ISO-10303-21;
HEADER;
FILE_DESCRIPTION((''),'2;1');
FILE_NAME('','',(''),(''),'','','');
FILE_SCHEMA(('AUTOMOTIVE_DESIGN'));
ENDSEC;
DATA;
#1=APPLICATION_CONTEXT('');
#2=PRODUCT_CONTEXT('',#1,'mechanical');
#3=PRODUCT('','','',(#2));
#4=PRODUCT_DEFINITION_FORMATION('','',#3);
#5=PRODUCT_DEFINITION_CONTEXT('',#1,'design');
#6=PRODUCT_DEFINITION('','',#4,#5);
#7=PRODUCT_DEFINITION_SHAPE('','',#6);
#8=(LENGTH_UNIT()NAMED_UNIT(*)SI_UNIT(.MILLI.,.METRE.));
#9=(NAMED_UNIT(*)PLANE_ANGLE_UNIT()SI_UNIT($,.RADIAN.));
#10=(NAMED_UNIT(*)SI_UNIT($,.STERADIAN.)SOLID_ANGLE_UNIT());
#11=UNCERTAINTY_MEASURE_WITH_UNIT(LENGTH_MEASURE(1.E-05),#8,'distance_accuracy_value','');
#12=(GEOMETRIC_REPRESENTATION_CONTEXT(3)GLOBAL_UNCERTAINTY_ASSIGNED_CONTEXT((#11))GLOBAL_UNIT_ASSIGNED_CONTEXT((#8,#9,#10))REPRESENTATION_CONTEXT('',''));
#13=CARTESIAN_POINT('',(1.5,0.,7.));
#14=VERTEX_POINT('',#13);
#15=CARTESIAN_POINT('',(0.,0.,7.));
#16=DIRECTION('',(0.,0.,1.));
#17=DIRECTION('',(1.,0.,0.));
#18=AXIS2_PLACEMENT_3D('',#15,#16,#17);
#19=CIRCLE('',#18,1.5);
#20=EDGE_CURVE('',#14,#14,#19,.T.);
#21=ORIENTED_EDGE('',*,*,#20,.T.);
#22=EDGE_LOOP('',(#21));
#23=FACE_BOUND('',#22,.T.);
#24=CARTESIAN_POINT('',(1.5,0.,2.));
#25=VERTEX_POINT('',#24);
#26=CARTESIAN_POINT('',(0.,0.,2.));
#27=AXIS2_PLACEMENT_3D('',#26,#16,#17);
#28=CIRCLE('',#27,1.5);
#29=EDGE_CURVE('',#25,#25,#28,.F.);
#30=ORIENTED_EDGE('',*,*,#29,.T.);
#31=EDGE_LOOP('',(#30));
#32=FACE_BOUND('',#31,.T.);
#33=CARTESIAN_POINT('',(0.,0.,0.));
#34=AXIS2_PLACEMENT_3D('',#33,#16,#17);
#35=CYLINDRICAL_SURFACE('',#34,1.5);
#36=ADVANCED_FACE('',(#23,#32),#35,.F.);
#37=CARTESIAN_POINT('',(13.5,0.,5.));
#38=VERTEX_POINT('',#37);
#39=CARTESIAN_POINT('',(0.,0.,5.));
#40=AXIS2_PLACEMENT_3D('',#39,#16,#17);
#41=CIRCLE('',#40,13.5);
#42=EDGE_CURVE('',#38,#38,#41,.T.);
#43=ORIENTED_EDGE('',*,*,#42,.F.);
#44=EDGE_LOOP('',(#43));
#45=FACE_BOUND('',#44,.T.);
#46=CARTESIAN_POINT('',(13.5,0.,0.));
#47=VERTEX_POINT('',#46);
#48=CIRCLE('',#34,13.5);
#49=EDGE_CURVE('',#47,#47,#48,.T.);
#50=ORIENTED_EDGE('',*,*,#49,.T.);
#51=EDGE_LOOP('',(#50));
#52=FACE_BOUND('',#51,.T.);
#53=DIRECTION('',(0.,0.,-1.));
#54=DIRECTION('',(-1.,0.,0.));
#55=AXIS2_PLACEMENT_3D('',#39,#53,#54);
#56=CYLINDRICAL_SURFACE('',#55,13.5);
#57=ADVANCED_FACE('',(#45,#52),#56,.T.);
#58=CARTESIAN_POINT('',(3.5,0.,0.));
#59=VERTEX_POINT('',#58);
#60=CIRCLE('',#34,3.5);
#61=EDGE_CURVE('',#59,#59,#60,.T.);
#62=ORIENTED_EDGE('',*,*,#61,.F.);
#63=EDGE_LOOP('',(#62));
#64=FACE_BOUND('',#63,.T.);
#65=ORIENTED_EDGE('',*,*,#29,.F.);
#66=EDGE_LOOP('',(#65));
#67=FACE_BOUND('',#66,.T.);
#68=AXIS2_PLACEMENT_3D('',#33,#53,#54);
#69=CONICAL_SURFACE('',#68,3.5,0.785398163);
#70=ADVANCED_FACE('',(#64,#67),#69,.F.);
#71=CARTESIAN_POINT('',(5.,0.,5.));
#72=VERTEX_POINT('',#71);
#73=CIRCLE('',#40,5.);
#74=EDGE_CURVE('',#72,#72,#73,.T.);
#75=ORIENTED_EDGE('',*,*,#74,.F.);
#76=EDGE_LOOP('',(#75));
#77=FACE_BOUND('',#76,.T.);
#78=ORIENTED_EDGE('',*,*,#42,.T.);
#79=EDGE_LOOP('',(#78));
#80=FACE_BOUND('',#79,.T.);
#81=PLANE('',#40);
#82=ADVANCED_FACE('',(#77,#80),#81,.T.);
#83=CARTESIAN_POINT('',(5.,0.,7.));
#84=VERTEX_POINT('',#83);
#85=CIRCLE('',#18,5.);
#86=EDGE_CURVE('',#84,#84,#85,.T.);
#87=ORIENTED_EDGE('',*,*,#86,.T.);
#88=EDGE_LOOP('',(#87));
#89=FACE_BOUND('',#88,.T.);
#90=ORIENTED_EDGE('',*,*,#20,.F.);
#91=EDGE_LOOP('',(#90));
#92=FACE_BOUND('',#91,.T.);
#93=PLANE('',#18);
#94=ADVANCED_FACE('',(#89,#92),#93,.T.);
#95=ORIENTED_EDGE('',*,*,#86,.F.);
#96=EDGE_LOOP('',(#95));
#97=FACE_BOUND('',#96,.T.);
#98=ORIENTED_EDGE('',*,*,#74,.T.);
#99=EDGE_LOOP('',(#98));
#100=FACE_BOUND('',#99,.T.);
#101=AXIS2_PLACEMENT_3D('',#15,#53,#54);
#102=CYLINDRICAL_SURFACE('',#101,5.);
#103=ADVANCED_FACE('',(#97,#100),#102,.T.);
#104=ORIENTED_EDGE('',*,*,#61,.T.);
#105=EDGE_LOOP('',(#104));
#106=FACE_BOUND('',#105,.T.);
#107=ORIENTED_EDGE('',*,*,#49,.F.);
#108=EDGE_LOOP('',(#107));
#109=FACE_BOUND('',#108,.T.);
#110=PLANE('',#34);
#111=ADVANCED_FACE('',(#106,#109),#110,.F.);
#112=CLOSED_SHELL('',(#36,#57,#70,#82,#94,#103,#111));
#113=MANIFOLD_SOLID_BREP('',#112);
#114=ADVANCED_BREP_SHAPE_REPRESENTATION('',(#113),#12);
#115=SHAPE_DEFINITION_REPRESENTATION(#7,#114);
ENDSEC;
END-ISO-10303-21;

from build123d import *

# Parameters (mm, degrees)
SKETCH1_R           = 13.5
BOSS_EXTRUDE1_DEPTH = 5
SKETCH2_R           = 5
BOSS_EXTRUDE2_DEPTH = 2
SKETCH3_R           = 1.5
CUT_EXTRUDE1_DEPTH  = 8
CHAMFER1_SIZE       = 2


with BuildPart() as part:
    # Sketch1 → Boss-Extrude1 (new body)
    with BuildSketch(Plane.XY):
        Circle(SKETCH1_R)
    extrude(amount=BOSS_EXTRUDE1_DEPTH)

    # Sketch2 → Boss-Extrude2 (add)
    with BuildSketch(Plane.XY.offset(5)):
        Circle(SKETCH2_R)
    extrude(amount=BOSS_EXTRUDE2_DEPTH)

    # Sketch3 → Cut-Extrude1 (cut, through all)
    with BuildSketch(Plane.XY.offset(7)):
        Circle(SKETCH3_R)
    extrude(amount=-CUT_EXTRUDE1_DEPTH, mode=Mode.SUBTRACT)

    # Chamfer1
    chamfer1_edges = [part.edges().sort_by_distance(p)[0] for p in [
        (-1.5, 0, 0),
    ]]
    chamfer(chamfer1_edges, length=CHAMFER1_SIZE)


solid = part.part
